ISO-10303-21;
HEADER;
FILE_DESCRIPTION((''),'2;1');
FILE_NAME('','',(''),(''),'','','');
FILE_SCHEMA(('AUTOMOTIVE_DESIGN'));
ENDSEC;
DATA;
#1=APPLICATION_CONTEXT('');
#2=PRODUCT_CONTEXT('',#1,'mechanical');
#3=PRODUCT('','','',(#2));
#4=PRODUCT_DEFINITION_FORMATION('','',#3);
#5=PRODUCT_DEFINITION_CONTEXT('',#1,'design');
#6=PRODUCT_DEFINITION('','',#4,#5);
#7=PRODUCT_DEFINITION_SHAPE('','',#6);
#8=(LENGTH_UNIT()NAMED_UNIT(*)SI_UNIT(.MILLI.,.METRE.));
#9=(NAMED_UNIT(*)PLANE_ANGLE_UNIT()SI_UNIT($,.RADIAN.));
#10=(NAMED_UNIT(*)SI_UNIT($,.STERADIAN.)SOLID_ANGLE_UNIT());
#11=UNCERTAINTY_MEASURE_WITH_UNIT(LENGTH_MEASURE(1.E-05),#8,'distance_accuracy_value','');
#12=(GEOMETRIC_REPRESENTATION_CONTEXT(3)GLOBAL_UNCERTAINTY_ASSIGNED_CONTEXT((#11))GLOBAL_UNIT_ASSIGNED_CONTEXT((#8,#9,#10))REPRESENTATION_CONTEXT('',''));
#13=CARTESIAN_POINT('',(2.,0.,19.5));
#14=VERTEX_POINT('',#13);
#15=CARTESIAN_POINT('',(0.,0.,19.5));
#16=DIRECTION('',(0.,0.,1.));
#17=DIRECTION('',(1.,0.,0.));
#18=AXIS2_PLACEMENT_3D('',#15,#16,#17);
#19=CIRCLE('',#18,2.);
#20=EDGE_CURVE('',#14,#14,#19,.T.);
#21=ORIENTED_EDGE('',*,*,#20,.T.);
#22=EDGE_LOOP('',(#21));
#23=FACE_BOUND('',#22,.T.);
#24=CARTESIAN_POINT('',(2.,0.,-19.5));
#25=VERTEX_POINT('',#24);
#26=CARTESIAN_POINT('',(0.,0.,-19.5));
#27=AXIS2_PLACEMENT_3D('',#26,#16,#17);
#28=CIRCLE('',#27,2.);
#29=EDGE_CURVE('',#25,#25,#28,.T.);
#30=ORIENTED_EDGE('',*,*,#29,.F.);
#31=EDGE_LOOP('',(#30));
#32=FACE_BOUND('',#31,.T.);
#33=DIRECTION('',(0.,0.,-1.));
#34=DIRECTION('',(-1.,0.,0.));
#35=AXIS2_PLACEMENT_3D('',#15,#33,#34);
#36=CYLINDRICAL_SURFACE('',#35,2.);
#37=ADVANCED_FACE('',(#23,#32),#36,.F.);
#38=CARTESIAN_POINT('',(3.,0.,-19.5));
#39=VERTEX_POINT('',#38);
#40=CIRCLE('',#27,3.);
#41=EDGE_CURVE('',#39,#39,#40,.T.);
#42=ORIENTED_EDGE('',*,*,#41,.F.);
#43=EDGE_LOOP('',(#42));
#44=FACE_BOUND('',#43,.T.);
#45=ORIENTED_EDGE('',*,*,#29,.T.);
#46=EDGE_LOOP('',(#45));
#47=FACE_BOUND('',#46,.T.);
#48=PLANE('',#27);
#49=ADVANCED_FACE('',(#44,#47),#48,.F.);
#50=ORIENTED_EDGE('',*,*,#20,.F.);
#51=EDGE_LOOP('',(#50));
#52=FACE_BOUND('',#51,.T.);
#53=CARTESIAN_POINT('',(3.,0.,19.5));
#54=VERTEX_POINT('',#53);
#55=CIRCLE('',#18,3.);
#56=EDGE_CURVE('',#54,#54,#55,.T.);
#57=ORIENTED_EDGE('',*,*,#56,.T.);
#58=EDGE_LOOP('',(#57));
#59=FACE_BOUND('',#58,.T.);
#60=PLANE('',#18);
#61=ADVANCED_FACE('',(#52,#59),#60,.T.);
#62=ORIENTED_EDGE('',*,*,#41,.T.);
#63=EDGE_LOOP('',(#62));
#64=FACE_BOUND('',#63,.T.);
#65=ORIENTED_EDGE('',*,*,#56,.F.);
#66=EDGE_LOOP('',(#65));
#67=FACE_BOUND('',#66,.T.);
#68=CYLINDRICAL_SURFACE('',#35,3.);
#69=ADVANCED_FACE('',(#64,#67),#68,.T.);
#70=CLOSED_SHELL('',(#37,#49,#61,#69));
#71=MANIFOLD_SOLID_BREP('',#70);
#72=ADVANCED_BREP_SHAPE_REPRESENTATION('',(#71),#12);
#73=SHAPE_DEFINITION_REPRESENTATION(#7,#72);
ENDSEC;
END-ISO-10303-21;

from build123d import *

# Parameters (mm, degrees)
ESQUISSE1_R        = 3
ESQUISSE1_R_2      = 2
EXTRU_MINCE1_DEPTH = 19.5


with BuildPart() as part:
    # Esquisse1 → Extru.-Mince1 (new, symmetric)
    with BuildSketch(Plane.XY):
        Circle(ESQUISSE1_R)
        Circle(ESQUISSE1_R_2, mode=Mode.SUBTRACT)
    extrude(amount=EXTRU_MINCE1_DEPTH, both=True)


solid = part.part
